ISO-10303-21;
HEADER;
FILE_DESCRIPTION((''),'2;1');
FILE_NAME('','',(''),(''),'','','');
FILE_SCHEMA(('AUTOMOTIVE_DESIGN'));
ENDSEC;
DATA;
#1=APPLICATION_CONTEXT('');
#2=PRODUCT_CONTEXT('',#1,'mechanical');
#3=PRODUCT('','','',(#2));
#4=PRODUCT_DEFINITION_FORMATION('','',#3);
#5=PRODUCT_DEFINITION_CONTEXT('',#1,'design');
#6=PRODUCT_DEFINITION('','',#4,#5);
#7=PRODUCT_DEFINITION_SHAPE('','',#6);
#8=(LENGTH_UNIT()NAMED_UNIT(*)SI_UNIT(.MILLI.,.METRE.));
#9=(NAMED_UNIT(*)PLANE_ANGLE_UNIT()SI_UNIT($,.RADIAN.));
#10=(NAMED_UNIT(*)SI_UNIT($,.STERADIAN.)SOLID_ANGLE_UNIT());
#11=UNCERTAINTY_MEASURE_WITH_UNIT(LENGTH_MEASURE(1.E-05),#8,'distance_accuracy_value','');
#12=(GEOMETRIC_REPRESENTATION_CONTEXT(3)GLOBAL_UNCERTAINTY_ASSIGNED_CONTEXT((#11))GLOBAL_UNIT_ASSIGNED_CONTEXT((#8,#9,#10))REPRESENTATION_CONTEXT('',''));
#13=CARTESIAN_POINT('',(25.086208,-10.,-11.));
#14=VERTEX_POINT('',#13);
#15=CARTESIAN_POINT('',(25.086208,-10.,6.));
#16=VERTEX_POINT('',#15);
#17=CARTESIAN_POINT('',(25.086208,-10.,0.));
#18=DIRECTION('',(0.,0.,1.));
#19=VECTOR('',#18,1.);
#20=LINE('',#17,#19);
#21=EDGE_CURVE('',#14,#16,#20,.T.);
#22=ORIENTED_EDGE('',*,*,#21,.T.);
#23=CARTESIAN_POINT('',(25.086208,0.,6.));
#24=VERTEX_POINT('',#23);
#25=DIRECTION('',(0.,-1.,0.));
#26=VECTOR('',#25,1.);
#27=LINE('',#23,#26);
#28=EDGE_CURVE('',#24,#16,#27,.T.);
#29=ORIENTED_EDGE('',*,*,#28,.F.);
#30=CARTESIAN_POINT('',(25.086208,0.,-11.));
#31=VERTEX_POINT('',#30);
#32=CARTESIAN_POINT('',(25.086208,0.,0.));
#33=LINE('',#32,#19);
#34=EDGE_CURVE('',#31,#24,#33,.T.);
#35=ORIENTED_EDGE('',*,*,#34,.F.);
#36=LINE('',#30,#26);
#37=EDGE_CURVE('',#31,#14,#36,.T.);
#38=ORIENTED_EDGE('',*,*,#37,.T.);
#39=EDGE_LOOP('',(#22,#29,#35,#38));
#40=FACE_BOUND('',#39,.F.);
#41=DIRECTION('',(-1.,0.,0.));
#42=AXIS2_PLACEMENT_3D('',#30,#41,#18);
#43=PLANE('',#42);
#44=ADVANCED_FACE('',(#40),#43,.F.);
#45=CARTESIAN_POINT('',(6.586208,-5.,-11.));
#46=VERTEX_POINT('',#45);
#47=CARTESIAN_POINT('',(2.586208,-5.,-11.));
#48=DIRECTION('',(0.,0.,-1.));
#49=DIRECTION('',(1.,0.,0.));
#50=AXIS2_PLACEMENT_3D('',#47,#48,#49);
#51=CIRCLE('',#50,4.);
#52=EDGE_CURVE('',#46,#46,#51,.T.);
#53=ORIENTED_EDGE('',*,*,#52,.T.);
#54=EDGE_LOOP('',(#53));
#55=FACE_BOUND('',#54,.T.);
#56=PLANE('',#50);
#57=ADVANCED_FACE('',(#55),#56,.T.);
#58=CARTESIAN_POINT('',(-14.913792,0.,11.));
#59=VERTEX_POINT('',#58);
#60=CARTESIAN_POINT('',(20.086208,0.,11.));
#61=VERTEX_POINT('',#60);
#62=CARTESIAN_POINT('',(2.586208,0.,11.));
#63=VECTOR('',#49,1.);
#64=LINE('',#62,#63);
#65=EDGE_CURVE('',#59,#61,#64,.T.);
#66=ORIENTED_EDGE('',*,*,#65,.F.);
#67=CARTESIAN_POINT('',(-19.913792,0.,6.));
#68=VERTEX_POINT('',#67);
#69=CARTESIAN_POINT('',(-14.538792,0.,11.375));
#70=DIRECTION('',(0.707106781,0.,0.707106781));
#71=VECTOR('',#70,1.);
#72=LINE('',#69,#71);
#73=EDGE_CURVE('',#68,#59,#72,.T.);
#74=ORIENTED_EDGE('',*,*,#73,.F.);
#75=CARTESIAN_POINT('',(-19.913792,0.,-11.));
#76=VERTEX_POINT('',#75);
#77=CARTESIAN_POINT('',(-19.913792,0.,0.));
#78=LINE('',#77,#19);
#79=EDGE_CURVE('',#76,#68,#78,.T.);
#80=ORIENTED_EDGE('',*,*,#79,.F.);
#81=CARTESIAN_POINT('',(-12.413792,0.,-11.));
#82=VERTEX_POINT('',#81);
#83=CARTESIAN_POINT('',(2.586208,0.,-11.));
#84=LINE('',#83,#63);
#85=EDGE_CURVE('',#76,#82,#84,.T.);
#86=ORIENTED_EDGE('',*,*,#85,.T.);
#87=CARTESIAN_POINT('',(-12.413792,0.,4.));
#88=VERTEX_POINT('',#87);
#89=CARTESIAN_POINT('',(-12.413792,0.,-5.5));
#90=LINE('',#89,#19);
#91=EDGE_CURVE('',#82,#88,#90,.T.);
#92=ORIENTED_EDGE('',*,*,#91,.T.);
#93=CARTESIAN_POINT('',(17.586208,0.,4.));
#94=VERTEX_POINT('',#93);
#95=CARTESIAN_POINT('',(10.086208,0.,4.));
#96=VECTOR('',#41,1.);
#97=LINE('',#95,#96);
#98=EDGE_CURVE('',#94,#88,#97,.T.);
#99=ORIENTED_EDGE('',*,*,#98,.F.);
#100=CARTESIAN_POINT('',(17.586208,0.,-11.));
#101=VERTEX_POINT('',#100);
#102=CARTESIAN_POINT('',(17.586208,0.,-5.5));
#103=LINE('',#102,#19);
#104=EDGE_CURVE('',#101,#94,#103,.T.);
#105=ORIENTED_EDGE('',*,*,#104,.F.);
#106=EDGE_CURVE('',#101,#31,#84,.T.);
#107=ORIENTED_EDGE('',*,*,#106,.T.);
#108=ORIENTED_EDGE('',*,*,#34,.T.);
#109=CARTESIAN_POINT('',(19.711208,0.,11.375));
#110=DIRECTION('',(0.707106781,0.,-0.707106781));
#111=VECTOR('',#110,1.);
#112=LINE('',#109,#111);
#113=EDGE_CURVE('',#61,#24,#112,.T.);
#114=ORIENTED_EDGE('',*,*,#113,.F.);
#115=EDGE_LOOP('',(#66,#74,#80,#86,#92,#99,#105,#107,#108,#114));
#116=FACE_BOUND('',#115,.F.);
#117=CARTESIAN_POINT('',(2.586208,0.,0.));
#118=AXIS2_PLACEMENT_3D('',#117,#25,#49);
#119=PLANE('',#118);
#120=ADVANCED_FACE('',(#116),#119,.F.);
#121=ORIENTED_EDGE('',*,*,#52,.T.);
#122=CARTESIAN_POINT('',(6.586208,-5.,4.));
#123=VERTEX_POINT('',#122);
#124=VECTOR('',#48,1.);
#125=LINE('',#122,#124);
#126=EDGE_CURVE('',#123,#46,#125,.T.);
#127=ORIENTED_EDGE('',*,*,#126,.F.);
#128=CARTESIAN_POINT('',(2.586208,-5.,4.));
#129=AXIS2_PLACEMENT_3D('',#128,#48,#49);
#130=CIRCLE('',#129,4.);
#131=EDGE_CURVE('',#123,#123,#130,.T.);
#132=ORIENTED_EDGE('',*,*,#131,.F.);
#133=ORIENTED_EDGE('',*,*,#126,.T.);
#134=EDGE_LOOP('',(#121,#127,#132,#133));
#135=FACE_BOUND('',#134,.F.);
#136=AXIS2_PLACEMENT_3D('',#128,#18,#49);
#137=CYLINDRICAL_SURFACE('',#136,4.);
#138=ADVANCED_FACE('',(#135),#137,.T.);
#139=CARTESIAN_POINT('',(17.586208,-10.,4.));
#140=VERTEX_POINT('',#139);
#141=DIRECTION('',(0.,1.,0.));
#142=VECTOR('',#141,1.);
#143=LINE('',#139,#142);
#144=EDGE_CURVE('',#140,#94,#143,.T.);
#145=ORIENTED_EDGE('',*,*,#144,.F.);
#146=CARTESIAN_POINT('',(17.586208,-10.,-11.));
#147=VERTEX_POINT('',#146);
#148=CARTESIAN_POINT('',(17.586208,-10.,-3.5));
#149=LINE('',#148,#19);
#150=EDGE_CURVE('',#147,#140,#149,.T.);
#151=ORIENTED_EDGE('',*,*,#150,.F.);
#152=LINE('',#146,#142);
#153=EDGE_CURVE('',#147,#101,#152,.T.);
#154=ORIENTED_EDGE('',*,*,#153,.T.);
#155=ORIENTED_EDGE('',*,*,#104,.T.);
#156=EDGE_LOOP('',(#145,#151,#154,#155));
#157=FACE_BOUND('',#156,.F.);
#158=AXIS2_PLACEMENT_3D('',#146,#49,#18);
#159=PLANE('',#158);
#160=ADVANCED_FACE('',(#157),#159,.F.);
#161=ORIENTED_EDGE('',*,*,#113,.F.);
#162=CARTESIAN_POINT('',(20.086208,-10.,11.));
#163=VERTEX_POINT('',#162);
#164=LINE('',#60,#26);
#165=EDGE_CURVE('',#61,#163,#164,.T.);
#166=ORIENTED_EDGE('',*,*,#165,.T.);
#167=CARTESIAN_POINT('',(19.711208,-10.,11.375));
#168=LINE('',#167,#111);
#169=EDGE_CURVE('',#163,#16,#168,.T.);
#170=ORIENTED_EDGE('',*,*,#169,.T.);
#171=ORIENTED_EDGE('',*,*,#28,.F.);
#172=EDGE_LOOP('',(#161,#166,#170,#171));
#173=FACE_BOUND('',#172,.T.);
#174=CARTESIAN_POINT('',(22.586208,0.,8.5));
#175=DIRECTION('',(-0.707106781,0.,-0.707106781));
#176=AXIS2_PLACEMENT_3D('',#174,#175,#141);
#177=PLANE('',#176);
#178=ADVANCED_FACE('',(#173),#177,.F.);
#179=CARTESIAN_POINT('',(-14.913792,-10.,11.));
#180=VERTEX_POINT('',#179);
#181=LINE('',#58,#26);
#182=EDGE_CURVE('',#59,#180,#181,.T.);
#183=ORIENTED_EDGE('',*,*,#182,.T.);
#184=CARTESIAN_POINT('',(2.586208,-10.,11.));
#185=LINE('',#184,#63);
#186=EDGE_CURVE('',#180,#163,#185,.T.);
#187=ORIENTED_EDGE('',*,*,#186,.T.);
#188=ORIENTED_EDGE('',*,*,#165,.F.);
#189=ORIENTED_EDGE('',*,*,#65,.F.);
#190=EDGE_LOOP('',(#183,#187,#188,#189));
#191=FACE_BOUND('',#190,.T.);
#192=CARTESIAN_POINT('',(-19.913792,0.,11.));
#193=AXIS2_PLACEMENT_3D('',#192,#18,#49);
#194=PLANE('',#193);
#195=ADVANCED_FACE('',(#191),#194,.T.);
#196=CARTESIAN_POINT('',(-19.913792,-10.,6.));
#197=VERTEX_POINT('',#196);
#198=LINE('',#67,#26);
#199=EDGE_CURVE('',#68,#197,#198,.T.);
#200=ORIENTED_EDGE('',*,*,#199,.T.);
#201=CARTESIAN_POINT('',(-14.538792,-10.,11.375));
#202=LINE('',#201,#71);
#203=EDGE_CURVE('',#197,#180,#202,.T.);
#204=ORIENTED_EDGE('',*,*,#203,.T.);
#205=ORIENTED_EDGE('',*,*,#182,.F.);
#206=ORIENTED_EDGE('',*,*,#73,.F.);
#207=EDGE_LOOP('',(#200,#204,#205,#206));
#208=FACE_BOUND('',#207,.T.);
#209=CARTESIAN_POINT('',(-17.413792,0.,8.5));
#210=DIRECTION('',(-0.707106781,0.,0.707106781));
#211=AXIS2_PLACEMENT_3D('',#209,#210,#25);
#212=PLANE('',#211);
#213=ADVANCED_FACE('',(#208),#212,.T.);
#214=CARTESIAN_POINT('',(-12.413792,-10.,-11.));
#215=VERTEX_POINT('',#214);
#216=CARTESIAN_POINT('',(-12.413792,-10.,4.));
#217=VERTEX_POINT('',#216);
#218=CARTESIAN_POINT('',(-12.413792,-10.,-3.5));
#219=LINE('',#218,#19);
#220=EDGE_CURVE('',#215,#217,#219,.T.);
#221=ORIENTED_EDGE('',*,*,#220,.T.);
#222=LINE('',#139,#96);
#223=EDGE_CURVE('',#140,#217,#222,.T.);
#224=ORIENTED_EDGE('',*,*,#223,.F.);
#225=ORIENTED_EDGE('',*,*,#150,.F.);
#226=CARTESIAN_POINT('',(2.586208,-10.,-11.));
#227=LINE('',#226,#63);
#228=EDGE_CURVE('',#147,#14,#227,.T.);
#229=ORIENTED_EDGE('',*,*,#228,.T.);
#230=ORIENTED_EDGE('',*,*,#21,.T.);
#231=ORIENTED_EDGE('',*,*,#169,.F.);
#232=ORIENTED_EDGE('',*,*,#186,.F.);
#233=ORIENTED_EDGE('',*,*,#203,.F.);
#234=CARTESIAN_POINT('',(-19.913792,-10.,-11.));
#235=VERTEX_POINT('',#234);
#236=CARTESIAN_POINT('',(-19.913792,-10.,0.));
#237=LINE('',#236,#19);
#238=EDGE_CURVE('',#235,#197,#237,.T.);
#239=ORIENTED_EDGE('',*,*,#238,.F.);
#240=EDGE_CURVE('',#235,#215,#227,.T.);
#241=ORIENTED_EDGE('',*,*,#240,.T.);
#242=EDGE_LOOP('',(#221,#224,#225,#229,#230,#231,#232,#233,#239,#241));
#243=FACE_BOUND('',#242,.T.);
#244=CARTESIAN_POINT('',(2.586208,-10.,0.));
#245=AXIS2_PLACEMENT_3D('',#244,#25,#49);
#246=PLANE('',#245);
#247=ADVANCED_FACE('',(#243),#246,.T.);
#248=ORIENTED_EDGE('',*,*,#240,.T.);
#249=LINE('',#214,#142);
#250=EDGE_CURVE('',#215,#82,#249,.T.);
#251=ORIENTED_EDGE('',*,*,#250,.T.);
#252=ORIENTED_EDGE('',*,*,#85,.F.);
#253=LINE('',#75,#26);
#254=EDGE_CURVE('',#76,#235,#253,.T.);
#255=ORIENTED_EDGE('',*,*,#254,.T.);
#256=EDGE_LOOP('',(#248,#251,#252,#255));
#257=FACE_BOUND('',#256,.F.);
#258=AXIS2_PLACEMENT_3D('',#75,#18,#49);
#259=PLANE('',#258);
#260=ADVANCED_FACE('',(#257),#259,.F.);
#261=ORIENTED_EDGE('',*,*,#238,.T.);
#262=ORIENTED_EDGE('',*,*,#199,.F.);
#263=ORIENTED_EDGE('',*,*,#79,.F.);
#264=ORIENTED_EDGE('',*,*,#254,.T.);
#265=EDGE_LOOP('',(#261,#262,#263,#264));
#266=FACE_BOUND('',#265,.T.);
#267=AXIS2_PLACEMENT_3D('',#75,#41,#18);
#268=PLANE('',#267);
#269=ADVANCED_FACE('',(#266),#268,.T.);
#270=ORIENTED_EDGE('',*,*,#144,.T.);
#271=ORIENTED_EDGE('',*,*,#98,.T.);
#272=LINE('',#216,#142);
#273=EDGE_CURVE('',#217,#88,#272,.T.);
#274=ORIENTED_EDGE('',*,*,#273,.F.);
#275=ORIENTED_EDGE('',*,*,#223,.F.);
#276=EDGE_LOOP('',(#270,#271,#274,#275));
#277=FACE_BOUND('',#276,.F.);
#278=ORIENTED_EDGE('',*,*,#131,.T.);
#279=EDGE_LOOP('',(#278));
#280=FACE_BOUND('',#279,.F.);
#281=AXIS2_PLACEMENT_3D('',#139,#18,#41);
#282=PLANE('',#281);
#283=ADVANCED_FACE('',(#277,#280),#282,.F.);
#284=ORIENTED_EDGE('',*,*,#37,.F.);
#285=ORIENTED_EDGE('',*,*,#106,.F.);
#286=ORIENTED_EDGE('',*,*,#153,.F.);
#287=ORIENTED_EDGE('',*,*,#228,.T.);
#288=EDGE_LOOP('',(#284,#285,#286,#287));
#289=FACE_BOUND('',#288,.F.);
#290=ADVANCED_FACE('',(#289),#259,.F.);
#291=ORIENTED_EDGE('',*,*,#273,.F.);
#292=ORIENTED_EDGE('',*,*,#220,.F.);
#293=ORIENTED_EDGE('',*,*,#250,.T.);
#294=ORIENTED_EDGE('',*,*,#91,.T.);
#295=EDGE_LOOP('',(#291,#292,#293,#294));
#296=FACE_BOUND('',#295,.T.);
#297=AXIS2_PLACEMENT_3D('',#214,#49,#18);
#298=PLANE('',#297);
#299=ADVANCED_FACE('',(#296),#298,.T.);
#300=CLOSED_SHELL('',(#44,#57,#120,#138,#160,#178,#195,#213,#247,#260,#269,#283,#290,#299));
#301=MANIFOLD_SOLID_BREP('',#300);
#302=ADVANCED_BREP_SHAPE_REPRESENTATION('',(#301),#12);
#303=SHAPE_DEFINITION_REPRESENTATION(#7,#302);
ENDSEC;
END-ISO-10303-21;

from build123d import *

# Parameters (mm, degrees)
F0_W     = 45
F0_H     = 22
F1_DEPTH = 10
F2_W     = 15
F2_H     = 15
F3_DEPTH = 25
F4_SIZE  = 5
F5_R     = 4
F6_DEPTH = 15


with BuildPart() as f1:
    # F0 (on Front) → F1 (new body)
    with BuildSketch(Plane.XZ):
        with Locations((2.586208, 0)):
            Rectangle(F0_W, F0_H)
    extrude(amount=F1_DEPTH)

    # F2 (on face) → F3 (cut)
    with BuildSketch(Plane.XZ.offset(10)):
        with Locations((-4.913792, -3.5)):
            Rectangle(F2_W, F2_H)
        with Locations((10.086208, -3.5)):
            Rectangle(F2_W, F2_H)
    extrude(amount=-F3_DEPTH, mode=Mode.SUBTRACT)

    # F4
    f4_edges = [f1.edges().sort_by_distance(p)[0] for p in [
        (-19.913792, -5, 11),
        (25.086208, -5, 11),
    ]]
    chamfer(f4_edges, length=F4_SIZE)

    # F5 (on face) → F6 (join, through all)
    with BuildSketch(Plane(origin=(0, 0, 4), x_dir=(1, 0, 0), z_dir=(0, 0, -1))):
        with Locations((2.586208, 5)):
            Circle(F5_R)
    extrude(amount=F6_DEPTH)


solid = f1.part
